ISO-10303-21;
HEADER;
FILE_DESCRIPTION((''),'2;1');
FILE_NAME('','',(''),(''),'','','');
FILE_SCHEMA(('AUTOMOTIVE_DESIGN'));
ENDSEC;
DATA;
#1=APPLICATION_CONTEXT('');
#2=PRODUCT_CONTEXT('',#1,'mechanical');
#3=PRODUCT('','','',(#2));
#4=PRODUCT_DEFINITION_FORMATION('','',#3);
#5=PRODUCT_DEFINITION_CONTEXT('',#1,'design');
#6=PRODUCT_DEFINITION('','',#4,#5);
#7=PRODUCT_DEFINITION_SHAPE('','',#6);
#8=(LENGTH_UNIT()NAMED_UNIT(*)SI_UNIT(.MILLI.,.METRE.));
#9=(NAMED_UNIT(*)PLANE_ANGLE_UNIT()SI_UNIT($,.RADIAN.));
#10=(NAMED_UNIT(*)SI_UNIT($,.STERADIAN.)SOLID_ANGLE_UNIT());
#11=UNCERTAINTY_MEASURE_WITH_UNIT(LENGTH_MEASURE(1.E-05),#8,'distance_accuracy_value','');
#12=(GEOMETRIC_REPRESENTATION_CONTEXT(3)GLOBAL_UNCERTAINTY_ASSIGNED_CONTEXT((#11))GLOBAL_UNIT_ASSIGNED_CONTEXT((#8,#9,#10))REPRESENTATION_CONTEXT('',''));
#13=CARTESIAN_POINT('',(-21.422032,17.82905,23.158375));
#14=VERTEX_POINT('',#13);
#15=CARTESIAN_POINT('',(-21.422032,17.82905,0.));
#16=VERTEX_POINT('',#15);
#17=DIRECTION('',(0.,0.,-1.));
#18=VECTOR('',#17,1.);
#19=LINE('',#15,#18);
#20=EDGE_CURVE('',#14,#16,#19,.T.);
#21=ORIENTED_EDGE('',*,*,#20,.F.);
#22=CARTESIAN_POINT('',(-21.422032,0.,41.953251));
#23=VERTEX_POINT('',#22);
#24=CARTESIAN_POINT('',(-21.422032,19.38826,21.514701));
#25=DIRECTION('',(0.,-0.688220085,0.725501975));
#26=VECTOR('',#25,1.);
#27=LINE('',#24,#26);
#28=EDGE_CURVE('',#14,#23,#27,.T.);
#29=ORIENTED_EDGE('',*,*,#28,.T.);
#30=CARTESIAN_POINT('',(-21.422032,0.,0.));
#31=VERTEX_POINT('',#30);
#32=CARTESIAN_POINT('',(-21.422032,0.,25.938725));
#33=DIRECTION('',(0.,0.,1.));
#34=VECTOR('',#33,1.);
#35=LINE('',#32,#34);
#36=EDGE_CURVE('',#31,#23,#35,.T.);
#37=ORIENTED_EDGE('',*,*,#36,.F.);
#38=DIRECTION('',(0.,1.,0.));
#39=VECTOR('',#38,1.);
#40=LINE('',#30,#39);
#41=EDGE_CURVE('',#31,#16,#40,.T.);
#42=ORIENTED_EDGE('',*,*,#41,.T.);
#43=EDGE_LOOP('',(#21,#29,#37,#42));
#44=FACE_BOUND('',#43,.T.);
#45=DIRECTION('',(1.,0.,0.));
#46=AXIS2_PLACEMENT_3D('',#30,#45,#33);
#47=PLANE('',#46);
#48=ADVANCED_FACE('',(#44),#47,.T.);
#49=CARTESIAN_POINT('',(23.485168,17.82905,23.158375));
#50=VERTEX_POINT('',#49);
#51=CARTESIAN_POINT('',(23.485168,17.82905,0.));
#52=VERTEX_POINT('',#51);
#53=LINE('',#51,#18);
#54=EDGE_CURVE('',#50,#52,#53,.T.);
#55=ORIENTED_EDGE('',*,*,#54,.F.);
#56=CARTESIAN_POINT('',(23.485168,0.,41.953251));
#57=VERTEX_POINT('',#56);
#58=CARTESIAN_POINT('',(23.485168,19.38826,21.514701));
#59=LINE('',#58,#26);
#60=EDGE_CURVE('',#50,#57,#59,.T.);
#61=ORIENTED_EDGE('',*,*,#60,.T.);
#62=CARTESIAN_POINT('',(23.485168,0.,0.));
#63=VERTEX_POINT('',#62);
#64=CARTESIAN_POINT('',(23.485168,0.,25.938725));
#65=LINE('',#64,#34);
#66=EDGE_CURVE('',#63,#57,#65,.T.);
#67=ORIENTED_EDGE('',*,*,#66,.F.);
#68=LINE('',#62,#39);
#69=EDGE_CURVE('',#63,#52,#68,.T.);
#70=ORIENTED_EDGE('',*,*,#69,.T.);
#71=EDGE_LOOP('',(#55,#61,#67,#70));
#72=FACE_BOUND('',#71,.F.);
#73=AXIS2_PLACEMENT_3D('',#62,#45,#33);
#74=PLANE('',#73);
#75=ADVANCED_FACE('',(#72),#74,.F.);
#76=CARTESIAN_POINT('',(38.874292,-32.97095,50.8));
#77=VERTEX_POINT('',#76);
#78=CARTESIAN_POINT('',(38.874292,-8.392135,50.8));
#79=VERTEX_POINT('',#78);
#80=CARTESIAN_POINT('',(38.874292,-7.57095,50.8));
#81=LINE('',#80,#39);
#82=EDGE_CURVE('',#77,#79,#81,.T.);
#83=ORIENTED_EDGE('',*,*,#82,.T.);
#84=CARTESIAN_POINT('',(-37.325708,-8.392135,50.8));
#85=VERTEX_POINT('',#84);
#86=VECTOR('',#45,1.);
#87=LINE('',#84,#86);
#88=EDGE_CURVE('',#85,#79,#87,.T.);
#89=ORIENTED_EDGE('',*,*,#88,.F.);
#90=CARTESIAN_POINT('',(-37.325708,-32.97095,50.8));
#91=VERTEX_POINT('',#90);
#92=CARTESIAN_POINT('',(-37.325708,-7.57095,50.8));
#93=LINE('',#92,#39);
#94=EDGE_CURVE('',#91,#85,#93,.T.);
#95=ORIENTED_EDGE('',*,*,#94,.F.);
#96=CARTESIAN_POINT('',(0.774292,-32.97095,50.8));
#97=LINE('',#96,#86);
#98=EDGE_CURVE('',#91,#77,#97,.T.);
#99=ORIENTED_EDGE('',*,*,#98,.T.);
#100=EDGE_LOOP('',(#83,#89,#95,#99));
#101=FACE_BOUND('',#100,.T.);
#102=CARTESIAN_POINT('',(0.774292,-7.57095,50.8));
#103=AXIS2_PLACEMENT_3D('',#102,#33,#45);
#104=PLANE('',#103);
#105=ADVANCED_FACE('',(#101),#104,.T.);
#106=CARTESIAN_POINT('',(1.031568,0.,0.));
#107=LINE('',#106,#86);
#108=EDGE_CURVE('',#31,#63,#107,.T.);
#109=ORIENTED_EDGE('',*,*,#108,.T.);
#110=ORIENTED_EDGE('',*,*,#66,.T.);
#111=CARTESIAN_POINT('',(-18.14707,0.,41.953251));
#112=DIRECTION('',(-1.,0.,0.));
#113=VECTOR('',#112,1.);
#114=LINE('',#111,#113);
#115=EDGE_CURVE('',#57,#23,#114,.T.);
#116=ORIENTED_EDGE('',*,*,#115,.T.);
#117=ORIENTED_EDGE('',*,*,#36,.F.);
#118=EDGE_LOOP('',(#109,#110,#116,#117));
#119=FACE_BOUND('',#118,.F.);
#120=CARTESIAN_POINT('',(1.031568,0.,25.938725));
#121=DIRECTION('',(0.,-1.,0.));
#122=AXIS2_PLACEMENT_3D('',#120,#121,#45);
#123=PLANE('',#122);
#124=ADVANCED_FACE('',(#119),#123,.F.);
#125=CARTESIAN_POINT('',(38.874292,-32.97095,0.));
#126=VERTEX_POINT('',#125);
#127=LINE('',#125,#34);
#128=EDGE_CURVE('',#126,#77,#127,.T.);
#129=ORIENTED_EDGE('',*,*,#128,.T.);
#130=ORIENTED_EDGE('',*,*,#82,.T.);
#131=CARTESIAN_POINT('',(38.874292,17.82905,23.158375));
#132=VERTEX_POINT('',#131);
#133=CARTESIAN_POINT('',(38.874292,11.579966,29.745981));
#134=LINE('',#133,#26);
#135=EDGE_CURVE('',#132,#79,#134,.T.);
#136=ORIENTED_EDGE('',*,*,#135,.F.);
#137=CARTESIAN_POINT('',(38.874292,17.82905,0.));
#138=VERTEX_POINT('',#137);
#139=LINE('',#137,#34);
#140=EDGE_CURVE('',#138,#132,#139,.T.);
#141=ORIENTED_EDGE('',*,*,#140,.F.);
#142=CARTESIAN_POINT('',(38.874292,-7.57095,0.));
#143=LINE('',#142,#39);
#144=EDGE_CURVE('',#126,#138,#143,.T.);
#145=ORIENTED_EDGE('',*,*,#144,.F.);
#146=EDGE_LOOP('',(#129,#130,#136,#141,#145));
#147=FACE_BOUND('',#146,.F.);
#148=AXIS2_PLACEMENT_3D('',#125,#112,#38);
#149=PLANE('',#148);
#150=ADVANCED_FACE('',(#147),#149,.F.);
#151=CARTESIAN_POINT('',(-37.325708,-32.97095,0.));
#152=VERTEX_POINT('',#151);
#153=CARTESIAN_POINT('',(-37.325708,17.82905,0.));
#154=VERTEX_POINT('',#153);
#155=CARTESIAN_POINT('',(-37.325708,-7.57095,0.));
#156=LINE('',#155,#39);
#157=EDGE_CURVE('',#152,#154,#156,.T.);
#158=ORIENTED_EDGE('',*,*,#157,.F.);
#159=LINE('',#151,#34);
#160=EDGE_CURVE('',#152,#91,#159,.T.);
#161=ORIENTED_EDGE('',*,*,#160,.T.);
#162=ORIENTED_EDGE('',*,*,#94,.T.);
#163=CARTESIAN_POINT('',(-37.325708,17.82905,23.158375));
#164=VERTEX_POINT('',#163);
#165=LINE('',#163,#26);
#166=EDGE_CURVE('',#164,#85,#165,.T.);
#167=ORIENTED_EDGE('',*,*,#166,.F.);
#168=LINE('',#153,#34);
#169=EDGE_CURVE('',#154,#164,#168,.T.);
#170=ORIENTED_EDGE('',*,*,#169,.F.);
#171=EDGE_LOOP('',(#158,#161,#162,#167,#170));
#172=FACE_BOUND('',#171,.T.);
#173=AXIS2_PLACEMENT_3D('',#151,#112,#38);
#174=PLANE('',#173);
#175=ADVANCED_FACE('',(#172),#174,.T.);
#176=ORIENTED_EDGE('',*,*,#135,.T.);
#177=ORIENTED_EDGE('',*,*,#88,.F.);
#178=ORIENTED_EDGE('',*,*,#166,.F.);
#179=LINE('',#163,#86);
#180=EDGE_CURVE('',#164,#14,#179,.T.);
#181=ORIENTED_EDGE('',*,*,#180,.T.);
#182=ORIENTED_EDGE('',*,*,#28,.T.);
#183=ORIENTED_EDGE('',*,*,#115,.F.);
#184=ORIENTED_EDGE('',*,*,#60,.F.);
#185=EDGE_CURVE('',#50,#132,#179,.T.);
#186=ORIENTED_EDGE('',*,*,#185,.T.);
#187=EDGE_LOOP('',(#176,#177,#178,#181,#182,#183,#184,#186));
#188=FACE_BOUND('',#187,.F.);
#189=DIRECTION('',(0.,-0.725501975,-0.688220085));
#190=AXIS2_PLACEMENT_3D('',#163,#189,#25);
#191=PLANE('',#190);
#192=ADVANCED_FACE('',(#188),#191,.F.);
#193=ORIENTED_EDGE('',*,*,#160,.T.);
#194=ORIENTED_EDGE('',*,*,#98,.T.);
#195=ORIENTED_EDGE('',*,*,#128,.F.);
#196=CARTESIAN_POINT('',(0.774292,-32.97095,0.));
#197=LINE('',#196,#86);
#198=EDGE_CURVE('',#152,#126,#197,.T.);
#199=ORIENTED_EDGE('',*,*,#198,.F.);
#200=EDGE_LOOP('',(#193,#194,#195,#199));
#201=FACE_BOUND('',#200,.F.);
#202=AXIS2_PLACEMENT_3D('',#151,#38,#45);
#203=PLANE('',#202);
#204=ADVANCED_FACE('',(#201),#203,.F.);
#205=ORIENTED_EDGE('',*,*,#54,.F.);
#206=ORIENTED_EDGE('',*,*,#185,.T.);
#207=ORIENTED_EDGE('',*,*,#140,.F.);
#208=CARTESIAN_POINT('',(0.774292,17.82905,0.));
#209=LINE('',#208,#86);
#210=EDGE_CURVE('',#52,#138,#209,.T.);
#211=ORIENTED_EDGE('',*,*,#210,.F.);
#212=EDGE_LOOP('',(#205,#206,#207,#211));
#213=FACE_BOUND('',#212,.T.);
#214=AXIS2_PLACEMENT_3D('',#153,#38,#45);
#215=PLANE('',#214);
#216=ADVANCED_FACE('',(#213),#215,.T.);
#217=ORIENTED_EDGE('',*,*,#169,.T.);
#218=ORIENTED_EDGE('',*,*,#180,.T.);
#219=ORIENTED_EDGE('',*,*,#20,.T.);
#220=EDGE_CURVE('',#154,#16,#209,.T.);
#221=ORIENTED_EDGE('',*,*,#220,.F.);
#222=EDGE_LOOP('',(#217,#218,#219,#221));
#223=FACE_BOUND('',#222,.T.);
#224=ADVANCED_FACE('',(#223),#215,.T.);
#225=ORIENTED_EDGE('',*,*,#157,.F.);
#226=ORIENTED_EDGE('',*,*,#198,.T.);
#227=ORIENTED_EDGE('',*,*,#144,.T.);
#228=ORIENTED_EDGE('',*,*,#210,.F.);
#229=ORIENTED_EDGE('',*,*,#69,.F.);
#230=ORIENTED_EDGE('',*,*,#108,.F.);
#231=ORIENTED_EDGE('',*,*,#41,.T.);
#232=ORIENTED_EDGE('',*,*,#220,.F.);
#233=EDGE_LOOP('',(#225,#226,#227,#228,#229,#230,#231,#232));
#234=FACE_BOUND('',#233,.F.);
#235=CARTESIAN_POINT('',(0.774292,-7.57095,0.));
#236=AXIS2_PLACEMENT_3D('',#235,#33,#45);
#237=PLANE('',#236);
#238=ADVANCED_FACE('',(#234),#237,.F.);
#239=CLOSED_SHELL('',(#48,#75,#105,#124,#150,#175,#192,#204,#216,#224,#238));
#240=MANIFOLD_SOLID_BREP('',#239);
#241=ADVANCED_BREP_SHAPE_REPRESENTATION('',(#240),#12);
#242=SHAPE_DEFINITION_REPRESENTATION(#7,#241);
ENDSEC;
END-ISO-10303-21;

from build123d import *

# Parameters (mm, degrees)
F0_W     = 76.2
F0_H     = 50.8
F1_DEPTH = 50.8
F3_DEPTH = 81.788
F4_W     = 44.9072
F4_H     = 51.87745
F5_DEPTH = 47.244


with BuildPart() as f1:
    # F0 (on Top) → F1 (new body)
    with BuildSketch(Plane.XY):
        with Locations((0.774292, -7.57095)):
            Rectangle(F0_W, F0_H)
    extrude(amount=F1_DEPTH)

    # F2 (on face) → F3 (cut)
    with BuildSketch(Plane(origin=(-37.325708, 0, 0), x_dir=(0, -1, 0), z_dir=(-1, 0, 0))):
        Polygon((-17.82905, 23.158375), (8.392135, 50.8), (-17.82905, 50.8), align=None)
    extrude(amount=-F3_DEPTH, mode=Mode.SUBTRACT)

    # F4 (on Front) → F5 (cut)
    with BuildSketch(Plane.XZ):
        with Locations((1.031568, 25.938725)):
            Rectangle(F4_W, F4_H)
    extrude(amount=-F5_DEPTH, mode=Mode.SUBTRACT)


solid = f1.part
